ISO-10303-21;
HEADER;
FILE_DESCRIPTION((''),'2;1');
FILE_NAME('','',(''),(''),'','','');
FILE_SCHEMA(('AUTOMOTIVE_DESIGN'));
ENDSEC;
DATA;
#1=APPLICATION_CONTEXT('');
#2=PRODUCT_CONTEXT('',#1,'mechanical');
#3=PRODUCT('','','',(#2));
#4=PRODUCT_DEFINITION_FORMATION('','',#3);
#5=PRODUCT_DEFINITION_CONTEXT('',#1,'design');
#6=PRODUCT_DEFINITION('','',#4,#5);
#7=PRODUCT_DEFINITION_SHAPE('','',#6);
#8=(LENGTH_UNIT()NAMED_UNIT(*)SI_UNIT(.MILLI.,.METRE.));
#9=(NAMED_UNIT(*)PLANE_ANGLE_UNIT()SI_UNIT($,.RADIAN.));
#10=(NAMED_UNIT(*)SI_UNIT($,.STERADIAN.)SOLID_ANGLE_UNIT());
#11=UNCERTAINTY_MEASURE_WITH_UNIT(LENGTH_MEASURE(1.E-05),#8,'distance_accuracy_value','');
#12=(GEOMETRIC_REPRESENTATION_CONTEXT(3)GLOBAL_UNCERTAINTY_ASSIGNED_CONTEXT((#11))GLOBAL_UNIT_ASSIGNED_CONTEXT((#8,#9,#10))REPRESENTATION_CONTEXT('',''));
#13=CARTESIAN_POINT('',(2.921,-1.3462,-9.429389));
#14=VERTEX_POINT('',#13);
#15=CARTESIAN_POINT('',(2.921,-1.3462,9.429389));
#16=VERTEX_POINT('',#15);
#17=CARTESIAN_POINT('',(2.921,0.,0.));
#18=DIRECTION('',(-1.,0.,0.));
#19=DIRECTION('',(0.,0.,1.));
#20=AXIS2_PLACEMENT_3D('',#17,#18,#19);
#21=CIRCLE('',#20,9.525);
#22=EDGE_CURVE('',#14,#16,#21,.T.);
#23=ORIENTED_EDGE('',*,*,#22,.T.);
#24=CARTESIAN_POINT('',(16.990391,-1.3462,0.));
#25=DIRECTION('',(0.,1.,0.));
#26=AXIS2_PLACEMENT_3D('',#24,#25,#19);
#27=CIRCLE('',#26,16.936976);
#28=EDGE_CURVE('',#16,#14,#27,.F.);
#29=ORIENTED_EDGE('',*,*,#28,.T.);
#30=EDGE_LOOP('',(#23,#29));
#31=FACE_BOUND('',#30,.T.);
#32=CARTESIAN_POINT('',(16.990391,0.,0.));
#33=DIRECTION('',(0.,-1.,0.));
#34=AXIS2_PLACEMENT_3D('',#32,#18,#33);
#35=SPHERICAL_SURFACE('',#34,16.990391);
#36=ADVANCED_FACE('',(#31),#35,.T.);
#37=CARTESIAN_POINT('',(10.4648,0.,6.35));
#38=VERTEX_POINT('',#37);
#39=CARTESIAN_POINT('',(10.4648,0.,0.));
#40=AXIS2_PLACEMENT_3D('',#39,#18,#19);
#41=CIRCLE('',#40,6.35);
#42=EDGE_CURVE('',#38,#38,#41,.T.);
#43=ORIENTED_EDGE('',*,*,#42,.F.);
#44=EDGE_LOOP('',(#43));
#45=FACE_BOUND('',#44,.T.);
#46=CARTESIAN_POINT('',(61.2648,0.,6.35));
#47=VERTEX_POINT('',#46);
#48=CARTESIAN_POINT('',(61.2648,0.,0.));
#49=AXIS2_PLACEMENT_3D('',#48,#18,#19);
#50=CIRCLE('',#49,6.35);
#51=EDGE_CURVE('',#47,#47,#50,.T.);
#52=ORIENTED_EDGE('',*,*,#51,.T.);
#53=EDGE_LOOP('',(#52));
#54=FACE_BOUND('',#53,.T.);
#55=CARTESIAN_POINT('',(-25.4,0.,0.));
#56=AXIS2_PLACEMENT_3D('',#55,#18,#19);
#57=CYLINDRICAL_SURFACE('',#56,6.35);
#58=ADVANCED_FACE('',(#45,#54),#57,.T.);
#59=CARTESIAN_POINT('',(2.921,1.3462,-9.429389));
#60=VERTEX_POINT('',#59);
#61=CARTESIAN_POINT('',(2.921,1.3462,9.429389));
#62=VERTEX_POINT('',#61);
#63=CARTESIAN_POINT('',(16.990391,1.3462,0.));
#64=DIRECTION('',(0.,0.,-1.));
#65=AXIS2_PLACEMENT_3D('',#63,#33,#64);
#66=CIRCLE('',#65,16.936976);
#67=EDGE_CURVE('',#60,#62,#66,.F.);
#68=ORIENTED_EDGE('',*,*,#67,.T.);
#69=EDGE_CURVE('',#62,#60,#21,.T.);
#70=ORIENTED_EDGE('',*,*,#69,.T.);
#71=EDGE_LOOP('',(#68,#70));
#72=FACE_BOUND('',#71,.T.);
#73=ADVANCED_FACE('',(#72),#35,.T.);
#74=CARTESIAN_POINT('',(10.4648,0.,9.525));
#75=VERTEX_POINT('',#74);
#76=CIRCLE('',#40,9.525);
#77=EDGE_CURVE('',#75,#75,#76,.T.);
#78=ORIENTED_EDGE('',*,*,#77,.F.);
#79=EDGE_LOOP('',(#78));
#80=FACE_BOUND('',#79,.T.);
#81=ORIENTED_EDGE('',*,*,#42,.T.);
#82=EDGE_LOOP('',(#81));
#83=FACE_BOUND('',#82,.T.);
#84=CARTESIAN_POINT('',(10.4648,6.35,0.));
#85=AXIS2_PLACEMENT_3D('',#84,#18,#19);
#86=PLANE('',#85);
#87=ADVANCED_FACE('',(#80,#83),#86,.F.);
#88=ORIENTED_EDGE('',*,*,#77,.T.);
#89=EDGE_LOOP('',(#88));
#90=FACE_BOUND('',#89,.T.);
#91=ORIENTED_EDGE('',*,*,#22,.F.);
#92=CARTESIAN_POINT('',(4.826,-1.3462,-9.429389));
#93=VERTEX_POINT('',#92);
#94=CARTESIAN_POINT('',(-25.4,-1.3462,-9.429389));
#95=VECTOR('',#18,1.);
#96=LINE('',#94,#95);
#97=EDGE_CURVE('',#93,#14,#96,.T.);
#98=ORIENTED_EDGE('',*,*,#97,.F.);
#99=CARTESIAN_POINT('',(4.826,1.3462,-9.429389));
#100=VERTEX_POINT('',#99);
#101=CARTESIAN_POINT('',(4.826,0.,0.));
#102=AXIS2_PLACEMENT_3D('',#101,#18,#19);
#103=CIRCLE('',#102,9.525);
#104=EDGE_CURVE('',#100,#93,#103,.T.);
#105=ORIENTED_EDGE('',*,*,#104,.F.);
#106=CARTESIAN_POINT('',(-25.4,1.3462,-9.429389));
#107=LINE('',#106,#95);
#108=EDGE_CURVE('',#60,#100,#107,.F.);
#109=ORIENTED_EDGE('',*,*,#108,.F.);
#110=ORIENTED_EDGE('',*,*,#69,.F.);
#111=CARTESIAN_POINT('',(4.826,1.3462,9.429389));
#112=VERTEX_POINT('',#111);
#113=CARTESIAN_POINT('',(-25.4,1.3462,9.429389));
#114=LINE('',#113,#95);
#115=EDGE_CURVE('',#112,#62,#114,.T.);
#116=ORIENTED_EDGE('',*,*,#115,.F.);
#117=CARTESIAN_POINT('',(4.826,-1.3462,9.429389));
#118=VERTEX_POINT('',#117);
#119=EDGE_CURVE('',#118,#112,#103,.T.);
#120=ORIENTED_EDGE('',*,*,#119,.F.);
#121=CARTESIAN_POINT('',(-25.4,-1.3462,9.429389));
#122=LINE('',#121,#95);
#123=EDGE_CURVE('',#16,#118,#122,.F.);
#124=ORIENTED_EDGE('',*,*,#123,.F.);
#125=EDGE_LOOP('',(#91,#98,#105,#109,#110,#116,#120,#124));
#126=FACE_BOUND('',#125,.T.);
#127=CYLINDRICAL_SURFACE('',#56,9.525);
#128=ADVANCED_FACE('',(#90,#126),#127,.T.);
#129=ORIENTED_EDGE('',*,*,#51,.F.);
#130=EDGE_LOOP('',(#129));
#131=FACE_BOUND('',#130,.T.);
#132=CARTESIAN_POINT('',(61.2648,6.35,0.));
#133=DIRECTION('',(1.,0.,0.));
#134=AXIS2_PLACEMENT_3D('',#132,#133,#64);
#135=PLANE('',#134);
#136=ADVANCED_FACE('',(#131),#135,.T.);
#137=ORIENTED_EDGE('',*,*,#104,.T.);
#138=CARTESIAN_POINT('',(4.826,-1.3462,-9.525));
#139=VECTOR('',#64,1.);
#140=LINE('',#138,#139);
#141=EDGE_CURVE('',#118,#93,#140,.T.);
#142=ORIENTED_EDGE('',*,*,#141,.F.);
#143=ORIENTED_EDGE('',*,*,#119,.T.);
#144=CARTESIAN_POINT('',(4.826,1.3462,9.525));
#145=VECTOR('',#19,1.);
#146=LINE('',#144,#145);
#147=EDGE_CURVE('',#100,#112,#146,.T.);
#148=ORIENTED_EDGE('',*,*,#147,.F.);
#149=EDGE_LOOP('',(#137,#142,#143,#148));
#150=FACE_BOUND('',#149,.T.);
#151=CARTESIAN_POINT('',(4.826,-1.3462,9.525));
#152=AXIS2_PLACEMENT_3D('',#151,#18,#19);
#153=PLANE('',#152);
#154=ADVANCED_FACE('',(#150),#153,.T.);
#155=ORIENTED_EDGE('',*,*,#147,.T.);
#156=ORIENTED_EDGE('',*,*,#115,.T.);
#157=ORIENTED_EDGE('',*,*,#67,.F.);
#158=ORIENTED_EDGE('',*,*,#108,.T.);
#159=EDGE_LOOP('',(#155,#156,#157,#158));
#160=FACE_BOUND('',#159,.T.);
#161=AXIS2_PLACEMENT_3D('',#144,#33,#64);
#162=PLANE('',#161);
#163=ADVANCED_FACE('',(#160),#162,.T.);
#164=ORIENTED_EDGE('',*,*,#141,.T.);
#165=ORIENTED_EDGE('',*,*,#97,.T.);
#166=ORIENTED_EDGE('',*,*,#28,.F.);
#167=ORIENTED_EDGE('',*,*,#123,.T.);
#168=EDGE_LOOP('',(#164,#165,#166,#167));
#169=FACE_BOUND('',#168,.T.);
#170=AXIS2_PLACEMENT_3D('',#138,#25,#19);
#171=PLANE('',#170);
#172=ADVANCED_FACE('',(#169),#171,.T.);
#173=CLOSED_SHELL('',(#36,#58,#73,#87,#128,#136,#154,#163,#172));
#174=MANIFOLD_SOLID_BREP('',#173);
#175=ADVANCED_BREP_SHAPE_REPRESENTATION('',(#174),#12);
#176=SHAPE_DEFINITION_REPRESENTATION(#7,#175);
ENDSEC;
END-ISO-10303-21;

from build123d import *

# Parameters (mm, degrees)
SKETCH2_W  = 19.05
SKETCH2_H  = 2.6924
SLOT_DEPTH = 4.826


with BuildPart() as part:
    # BodySke → Base-Revolve (revolve)
    with BuildSketch(Plane.XY, mode=Mode.PRIVATE) as base_revolve_sk:
        with BuildLine():
            Line((10.4648, 6.35), (10.4648, 9.525))
            Line((10.4648, 9.525), (2.921, 9.525))
            ThreePointArc((2.921, 9.525), (0.746656199, 4.981412099), (0, 0))
            Line((0, 0), (61.2648, 0))
            Line((61.2648, 0), (61.2648, 6.35))
            Line((61.2648, 6.35), (10.4648, 6.35))
        make_face()
    revolve(base_revolve_sk.sketch.rotate(Axis((-25.4, 0, 0), (1, 0, 0)), 90), axis=Axis((-25.4, 0, 0), (1, 0, 0)))

    # Sketch2 → Slot (cut)
    with BuildSketch(Plane(origin=(0, 0, 0), x_dir=(0, 0, -1), z_dir=(1, 0, 0))):
        Rectangle(SKETCH2_W, SKETCH2_H)
    extrude(amount=SLOT_DEPTH, mode=Mode.SUBTRACT)


solid = part.part
